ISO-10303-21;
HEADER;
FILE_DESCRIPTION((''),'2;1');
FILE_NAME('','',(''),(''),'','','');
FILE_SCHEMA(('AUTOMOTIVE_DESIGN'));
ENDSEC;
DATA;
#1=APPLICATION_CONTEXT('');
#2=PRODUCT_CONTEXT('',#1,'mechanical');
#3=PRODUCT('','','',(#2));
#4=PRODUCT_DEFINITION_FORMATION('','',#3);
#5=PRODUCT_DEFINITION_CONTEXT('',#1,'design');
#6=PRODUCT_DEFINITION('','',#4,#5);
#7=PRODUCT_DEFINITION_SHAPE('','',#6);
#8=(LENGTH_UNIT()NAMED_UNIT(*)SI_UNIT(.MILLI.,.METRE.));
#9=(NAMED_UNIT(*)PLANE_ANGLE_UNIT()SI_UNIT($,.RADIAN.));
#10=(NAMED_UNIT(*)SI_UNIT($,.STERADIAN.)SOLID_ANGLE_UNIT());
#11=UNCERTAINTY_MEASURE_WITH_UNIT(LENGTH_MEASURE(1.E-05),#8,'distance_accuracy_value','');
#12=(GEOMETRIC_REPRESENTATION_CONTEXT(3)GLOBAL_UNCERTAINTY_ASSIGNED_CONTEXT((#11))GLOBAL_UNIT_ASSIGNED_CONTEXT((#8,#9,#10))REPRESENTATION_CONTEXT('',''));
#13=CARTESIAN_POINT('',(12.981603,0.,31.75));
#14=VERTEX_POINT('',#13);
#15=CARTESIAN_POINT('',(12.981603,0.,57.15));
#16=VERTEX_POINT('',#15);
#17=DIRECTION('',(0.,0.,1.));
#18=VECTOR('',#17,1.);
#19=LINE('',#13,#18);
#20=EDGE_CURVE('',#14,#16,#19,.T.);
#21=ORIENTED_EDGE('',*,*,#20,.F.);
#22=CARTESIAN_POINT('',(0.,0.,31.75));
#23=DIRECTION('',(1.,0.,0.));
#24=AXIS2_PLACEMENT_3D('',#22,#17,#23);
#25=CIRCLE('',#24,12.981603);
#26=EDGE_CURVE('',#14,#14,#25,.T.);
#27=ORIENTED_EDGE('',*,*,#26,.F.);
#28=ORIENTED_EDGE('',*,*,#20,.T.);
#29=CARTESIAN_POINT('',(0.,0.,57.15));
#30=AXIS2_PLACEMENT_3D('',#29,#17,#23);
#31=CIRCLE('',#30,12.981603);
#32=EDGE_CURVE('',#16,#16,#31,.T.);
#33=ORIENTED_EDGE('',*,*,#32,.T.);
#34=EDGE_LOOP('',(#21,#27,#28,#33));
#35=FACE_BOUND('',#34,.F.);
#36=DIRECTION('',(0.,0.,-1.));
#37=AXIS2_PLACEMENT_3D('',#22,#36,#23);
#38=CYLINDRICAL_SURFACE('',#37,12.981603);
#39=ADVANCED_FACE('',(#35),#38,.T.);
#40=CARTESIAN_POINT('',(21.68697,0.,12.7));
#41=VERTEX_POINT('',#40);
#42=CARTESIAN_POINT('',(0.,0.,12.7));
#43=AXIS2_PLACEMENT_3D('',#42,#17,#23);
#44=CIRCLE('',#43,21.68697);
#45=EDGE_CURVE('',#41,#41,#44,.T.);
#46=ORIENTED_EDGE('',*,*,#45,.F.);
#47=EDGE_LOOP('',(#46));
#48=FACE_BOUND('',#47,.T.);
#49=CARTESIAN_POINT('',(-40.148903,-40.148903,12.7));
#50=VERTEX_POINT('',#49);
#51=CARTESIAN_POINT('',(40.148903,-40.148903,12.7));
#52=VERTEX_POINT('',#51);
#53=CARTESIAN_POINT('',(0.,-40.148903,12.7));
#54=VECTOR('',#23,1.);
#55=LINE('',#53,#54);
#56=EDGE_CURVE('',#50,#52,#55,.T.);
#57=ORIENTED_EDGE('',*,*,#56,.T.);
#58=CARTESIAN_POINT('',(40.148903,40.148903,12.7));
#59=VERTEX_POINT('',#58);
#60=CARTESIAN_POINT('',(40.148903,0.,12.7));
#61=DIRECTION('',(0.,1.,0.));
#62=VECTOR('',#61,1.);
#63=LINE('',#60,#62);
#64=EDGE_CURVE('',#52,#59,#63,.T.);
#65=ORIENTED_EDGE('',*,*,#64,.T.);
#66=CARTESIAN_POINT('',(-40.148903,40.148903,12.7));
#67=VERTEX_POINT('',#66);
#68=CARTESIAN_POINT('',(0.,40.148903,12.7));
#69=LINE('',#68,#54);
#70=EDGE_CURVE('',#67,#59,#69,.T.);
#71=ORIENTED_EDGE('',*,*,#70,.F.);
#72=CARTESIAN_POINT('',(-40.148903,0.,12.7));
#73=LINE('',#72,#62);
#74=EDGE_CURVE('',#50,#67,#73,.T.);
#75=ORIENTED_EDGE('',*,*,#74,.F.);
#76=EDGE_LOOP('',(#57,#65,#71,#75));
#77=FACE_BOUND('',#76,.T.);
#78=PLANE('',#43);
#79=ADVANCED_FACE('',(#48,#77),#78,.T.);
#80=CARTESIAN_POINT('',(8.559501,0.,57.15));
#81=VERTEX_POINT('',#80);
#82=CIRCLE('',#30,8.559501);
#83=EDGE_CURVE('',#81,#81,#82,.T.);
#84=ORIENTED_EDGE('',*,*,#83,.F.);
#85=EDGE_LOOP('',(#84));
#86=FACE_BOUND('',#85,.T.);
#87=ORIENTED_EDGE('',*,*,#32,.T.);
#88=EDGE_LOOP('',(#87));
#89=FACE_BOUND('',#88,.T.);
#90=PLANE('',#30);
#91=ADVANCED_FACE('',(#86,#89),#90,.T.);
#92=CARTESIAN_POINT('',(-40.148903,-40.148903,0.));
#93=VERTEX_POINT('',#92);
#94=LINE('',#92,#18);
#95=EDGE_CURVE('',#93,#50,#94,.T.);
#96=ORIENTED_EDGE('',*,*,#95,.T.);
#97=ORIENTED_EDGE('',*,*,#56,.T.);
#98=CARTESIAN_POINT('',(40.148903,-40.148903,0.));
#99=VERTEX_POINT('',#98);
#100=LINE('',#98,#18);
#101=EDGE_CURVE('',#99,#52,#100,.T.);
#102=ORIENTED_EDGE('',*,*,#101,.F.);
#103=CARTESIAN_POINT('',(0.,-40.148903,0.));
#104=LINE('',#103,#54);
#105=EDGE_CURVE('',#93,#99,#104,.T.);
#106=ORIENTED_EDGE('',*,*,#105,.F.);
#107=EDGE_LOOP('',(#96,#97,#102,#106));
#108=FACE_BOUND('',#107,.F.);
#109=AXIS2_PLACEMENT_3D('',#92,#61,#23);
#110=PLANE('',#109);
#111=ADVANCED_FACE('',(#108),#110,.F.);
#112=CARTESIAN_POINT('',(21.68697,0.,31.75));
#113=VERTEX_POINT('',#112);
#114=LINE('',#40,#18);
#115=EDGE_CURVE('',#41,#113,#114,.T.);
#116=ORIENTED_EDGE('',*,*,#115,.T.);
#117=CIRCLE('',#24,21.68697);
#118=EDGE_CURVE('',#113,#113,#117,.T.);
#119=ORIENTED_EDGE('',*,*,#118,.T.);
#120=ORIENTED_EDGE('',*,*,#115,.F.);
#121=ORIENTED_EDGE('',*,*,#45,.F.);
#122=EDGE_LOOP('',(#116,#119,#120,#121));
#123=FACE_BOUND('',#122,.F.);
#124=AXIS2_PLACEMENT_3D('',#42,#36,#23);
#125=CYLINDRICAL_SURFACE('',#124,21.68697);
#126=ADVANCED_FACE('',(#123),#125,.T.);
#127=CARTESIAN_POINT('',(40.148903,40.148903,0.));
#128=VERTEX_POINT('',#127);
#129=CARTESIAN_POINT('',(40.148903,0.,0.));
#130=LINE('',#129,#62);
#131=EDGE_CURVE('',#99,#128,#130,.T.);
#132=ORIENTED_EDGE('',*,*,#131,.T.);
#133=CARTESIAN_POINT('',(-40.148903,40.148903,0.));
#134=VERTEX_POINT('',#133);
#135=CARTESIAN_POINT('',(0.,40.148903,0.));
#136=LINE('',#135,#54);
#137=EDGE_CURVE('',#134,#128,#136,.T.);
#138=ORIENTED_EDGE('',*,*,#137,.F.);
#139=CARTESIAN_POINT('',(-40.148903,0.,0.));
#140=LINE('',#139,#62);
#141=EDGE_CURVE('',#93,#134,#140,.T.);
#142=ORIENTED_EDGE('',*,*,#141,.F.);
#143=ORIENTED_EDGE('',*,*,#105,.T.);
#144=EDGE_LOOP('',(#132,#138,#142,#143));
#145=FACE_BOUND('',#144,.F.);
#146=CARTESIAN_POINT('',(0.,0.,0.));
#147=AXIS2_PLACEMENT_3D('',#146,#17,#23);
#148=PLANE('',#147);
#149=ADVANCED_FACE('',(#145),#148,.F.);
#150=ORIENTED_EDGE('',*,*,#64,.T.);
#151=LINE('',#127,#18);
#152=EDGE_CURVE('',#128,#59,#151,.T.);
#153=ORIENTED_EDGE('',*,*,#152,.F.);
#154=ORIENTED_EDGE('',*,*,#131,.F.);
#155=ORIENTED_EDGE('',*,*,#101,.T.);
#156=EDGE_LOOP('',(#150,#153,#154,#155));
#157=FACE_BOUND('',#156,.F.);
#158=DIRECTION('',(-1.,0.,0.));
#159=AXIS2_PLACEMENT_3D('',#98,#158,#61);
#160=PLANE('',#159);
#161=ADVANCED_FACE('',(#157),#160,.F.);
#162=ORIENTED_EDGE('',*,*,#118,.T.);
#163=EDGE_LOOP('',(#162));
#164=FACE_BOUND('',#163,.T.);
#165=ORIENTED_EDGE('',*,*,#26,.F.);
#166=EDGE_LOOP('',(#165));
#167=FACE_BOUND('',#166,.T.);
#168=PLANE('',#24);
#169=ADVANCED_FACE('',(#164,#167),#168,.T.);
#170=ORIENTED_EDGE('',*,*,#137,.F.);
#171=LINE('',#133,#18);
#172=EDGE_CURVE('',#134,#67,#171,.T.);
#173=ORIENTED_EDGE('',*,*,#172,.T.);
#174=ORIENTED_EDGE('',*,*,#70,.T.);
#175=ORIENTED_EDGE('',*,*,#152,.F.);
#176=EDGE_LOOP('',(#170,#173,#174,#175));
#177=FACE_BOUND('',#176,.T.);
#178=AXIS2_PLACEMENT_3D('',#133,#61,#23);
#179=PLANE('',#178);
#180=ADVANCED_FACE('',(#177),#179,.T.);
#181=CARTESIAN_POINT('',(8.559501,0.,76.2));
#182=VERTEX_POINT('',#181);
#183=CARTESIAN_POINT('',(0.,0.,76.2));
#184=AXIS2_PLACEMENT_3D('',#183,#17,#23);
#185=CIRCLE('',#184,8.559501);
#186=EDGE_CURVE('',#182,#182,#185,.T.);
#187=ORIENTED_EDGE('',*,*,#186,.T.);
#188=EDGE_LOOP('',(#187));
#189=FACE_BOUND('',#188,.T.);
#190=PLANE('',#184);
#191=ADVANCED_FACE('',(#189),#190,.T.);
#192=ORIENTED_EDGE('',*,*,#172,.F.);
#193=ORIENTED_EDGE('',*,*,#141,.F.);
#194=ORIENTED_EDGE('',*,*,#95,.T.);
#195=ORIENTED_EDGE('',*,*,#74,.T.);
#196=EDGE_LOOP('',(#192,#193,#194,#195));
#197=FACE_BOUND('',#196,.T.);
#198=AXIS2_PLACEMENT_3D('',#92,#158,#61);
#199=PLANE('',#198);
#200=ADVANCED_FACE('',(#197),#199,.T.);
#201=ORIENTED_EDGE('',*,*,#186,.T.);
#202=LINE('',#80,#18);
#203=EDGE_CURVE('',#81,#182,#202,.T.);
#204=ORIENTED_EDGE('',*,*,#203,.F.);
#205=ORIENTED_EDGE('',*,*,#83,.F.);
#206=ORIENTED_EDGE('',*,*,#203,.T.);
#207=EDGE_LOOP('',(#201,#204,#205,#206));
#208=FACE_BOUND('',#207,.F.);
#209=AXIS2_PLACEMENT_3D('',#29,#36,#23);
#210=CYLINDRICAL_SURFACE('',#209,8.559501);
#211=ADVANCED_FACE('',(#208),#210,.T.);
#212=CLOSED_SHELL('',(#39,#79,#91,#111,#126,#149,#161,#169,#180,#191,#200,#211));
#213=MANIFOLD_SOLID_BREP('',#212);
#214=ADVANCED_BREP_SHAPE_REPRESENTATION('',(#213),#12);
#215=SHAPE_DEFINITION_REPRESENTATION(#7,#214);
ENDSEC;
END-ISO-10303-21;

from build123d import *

# Parameters (mm, degrees)
F0_W     = 80.297806
F0_H     = 80.297806
F1_DEPTH = 12.7
F2_R     = 21.68697
F3_DEPTH = 19.05
F4_R     = 12.981603
F5_DEPTH = 25.4
F6_R     = 8.559501
F7_DEPTH = 19.05


with BuildPart() as f1:
    # F0 (on Top) → F1 (new body)
    with BuildSketch(Plane.XY):
        Rectangle(F0_W, F0_H)
    extrude(amount=F1_DEPTH)

    # F2 (on face) → F3 (join)
    with BuildSketch(Plane.XY.offset(12.7)):
        Circle(F2_R)
    extrude(amount=F3_DEPTH)

    # F4 (on face) → F5 (join)
    with BuildSketch(Plane.XY.offset(31.75)):
        Circle(F4_R)
    extrude(amount=F5_DEPTH)

    # F6 (on face) → F7 (join)
    with BuildSketch(Plane.XY.offset(57.15)):
        Circle(F6_R)
    extrude(amount=F7_DEPTH)


solid = f1.part
